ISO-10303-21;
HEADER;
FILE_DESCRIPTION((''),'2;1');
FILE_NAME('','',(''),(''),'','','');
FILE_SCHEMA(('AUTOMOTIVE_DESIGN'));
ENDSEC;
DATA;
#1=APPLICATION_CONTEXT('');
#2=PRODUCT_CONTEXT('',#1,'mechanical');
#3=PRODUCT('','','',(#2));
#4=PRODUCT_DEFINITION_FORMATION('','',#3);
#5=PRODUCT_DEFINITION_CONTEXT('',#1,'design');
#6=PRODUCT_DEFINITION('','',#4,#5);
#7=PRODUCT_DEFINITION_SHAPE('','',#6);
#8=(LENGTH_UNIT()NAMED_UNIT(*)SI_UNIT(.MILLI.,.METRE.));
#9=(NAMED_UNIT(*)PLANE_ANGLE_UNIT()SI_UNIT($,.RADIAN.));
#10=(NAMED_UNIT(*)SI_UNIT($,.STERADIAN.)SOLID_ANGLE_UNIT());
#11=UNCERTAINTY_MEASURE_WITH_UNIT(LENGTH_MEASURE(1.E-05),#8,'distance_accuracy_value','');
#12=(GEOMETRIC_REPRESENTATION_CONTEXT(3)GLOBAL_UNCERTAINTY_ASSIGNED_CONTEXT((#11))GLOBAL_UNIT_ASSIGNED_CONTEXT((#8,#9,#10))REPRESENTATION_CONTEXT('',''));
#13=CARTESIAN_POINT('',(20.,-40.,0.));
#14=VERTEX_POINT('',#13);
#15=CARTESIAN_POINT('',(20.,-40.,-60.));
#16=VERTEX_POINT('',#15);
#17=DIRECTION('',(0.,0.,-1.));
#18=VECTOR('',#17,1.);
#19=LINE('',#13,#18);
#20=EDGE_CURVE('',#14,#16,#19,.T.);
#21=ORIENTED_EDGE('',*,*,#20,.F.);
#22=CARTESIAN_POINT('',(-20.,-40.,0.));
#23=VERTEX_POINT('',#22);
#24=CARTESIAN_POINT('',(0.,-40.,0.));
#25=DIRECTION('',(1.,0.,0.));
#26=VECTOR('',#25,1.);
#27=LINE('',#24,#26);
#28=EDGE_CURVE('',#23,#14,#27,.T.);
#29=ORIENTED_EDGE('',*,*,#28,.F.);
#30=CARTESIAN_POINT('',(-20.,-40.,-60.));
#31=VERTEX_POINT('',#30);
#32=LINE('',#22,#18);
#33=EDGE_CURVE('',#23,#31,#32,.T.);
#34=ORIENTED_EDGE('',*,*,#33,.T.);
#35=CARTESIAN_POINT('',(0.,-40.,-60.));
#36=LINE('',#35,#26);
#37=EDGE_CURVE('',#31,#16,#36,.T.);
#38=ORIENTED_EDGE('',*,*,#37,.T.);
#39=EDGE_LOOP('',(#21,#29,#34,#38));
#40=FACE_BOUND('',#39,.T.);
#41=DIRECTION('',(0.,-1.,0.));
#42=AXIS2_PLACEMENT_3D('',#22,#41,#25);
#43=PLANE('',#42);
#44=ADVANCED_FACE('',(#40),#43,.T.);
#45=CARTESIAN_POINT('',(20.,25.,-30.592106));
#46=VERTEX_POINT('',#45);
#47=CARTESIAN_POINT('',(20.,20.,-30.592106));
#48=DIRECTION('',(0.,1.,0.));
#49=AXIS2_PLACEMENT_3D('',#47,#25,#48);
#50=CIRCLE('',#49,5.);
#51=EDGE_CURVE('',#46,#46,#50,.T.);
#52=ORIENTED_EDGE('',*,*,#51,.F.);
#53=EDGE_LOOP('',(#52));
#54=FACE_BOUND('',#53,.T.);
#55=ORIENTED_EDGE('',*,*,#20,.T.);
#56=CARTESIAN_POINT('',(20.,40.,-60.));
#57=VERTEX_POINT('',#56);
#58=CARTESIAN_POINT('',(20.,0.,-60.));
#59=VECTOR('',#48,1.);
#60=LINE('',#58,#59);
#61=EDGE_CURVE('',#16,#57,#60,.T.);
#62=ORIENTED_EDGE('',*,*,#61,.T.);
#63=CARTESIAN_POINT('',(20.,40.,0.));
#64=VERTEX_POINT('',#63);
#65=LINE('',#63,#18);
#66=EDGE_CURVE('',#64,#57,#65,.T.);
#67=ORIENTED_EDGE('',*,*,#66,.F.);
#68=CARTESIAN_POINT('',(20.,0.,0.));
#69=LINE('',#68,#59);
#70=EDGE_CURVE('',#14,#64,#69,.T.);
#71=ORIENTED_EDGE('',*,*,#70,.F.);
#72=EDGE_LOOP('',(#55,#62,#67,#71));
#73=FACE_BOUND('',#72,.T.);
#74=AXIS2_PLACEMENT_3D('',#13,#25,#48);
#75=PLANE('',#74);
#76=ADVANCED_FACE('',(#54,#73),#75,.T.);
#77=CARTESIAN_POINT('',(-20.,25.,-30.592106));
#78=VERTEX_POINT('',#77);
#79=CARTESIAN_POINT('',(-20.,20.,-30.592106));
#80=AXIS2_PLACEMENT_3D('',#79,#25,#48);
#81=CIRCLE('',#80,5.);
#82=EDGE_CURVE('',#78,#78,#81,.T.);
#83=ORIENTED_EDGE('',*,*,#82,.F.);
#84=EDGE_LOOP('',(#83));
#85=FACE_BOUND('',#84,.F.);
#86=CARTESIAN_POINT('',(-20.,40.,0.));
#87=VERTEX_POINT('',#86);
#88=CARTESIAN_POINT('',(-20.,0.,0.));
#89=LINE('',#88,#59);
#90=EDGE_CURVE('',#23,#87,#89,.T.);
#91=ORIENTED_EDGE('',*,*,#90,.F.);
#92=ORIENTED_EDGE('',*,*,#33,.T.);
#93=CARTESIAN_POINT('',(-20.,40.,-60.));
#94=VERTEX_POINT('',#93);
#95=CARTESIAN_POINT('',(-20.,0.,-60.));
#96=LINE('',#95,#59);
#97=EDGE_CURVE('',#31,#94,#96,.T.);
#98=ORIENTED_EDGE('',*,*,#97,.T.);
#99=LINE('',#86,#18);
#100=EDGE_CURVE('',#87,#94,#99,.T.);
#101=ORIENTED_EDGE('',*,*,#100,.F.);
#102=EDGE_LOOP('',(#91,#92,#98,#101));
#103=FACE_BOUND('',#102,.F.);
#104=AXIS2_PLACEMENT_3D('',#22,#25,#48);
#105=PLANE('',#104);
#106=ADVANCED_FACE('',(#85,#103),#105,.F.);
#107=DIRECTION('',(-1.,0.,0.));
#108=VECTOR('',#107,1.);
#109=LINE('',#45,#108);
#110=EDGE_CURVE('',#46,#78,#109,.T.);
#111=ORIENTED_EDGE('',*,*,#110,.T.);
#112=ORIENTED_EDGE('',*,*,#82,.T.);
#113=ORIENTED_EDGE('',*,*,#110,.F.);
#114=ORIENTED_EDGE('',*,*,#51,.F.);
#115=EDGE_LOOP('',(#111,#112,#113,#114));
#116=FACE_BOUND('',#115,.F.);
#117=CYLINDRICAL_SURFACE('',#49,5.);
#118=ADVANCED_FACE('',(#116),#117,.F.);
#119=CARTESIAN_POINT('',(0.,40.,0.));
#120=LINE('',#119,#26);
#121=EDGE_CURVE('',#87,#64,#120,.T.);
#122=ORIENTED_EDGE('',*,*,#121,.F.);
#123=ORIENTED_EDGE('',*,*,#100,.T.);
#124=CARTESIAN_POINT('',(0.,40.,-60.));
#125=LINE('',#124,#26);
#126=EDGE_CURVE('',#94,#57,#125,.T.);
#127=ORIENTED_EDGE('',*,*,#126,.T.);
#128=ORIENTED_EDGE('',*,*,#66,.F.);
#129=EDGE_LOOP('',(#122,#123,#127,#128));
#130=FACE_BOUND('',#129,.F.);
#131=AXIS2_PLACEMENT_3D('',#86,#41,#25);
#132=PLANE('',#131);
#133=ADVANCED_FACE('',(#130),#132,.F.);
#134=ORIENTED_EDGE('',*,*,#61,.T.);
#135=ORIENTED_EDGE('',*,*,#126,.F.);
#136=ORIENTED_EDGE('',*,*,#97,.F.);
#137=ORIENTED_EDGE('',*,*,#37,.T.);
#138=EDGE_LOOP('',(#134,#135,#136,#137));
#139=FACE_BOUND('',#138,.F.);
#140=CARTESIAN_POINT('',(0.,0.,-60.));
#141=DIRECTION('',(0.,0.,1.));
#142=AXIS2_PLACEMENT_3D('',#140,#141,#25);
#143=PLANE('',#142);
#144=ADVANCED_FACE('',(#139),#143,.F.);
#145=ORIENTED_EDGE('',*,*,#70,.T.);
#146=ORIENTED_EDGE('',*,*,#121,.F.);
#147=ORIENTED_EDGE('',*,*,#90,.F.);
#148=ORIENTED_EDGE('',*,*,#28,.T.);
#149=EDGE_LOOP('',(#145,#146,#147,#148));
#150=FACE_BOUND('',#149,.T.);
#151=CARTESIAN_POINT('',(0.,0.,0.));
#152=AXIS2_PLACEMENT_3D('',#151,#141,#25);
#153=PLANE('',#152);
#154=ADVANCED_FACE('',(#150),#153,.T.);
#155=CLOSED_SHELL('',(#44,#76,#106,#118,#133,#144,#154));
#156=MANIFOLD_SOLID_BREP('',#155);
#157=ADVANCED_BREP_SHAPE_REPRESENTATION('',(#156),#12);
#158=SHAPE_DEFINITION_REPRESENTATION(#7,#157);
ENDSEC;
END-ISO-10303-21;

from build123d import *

# Parameters (mm, degrees)
F0_W     = 40
F0_H     = 80
F1_DEPTH = 60
F2_R     = 5
F3_DEPTH = 40.001


with BuildPart() as f1:
    # F0 (on Top) → F1 (new body)
    with BuildSketch(Plane.XY):
        Rectangle(F0_W, F0_H)
    extrude(amount=-F1_DEPTH)

    # F2 (on face) → F3 (cut, through all)
    with BuildSketch(Plane.YZ.offset(20)):
        with Locations((20, -30.592106)):
            Circle(F2_R)
    extrude(amount=-F3_DEPTH, mode=Mode.SUBTRACT)


solid = f1.part
